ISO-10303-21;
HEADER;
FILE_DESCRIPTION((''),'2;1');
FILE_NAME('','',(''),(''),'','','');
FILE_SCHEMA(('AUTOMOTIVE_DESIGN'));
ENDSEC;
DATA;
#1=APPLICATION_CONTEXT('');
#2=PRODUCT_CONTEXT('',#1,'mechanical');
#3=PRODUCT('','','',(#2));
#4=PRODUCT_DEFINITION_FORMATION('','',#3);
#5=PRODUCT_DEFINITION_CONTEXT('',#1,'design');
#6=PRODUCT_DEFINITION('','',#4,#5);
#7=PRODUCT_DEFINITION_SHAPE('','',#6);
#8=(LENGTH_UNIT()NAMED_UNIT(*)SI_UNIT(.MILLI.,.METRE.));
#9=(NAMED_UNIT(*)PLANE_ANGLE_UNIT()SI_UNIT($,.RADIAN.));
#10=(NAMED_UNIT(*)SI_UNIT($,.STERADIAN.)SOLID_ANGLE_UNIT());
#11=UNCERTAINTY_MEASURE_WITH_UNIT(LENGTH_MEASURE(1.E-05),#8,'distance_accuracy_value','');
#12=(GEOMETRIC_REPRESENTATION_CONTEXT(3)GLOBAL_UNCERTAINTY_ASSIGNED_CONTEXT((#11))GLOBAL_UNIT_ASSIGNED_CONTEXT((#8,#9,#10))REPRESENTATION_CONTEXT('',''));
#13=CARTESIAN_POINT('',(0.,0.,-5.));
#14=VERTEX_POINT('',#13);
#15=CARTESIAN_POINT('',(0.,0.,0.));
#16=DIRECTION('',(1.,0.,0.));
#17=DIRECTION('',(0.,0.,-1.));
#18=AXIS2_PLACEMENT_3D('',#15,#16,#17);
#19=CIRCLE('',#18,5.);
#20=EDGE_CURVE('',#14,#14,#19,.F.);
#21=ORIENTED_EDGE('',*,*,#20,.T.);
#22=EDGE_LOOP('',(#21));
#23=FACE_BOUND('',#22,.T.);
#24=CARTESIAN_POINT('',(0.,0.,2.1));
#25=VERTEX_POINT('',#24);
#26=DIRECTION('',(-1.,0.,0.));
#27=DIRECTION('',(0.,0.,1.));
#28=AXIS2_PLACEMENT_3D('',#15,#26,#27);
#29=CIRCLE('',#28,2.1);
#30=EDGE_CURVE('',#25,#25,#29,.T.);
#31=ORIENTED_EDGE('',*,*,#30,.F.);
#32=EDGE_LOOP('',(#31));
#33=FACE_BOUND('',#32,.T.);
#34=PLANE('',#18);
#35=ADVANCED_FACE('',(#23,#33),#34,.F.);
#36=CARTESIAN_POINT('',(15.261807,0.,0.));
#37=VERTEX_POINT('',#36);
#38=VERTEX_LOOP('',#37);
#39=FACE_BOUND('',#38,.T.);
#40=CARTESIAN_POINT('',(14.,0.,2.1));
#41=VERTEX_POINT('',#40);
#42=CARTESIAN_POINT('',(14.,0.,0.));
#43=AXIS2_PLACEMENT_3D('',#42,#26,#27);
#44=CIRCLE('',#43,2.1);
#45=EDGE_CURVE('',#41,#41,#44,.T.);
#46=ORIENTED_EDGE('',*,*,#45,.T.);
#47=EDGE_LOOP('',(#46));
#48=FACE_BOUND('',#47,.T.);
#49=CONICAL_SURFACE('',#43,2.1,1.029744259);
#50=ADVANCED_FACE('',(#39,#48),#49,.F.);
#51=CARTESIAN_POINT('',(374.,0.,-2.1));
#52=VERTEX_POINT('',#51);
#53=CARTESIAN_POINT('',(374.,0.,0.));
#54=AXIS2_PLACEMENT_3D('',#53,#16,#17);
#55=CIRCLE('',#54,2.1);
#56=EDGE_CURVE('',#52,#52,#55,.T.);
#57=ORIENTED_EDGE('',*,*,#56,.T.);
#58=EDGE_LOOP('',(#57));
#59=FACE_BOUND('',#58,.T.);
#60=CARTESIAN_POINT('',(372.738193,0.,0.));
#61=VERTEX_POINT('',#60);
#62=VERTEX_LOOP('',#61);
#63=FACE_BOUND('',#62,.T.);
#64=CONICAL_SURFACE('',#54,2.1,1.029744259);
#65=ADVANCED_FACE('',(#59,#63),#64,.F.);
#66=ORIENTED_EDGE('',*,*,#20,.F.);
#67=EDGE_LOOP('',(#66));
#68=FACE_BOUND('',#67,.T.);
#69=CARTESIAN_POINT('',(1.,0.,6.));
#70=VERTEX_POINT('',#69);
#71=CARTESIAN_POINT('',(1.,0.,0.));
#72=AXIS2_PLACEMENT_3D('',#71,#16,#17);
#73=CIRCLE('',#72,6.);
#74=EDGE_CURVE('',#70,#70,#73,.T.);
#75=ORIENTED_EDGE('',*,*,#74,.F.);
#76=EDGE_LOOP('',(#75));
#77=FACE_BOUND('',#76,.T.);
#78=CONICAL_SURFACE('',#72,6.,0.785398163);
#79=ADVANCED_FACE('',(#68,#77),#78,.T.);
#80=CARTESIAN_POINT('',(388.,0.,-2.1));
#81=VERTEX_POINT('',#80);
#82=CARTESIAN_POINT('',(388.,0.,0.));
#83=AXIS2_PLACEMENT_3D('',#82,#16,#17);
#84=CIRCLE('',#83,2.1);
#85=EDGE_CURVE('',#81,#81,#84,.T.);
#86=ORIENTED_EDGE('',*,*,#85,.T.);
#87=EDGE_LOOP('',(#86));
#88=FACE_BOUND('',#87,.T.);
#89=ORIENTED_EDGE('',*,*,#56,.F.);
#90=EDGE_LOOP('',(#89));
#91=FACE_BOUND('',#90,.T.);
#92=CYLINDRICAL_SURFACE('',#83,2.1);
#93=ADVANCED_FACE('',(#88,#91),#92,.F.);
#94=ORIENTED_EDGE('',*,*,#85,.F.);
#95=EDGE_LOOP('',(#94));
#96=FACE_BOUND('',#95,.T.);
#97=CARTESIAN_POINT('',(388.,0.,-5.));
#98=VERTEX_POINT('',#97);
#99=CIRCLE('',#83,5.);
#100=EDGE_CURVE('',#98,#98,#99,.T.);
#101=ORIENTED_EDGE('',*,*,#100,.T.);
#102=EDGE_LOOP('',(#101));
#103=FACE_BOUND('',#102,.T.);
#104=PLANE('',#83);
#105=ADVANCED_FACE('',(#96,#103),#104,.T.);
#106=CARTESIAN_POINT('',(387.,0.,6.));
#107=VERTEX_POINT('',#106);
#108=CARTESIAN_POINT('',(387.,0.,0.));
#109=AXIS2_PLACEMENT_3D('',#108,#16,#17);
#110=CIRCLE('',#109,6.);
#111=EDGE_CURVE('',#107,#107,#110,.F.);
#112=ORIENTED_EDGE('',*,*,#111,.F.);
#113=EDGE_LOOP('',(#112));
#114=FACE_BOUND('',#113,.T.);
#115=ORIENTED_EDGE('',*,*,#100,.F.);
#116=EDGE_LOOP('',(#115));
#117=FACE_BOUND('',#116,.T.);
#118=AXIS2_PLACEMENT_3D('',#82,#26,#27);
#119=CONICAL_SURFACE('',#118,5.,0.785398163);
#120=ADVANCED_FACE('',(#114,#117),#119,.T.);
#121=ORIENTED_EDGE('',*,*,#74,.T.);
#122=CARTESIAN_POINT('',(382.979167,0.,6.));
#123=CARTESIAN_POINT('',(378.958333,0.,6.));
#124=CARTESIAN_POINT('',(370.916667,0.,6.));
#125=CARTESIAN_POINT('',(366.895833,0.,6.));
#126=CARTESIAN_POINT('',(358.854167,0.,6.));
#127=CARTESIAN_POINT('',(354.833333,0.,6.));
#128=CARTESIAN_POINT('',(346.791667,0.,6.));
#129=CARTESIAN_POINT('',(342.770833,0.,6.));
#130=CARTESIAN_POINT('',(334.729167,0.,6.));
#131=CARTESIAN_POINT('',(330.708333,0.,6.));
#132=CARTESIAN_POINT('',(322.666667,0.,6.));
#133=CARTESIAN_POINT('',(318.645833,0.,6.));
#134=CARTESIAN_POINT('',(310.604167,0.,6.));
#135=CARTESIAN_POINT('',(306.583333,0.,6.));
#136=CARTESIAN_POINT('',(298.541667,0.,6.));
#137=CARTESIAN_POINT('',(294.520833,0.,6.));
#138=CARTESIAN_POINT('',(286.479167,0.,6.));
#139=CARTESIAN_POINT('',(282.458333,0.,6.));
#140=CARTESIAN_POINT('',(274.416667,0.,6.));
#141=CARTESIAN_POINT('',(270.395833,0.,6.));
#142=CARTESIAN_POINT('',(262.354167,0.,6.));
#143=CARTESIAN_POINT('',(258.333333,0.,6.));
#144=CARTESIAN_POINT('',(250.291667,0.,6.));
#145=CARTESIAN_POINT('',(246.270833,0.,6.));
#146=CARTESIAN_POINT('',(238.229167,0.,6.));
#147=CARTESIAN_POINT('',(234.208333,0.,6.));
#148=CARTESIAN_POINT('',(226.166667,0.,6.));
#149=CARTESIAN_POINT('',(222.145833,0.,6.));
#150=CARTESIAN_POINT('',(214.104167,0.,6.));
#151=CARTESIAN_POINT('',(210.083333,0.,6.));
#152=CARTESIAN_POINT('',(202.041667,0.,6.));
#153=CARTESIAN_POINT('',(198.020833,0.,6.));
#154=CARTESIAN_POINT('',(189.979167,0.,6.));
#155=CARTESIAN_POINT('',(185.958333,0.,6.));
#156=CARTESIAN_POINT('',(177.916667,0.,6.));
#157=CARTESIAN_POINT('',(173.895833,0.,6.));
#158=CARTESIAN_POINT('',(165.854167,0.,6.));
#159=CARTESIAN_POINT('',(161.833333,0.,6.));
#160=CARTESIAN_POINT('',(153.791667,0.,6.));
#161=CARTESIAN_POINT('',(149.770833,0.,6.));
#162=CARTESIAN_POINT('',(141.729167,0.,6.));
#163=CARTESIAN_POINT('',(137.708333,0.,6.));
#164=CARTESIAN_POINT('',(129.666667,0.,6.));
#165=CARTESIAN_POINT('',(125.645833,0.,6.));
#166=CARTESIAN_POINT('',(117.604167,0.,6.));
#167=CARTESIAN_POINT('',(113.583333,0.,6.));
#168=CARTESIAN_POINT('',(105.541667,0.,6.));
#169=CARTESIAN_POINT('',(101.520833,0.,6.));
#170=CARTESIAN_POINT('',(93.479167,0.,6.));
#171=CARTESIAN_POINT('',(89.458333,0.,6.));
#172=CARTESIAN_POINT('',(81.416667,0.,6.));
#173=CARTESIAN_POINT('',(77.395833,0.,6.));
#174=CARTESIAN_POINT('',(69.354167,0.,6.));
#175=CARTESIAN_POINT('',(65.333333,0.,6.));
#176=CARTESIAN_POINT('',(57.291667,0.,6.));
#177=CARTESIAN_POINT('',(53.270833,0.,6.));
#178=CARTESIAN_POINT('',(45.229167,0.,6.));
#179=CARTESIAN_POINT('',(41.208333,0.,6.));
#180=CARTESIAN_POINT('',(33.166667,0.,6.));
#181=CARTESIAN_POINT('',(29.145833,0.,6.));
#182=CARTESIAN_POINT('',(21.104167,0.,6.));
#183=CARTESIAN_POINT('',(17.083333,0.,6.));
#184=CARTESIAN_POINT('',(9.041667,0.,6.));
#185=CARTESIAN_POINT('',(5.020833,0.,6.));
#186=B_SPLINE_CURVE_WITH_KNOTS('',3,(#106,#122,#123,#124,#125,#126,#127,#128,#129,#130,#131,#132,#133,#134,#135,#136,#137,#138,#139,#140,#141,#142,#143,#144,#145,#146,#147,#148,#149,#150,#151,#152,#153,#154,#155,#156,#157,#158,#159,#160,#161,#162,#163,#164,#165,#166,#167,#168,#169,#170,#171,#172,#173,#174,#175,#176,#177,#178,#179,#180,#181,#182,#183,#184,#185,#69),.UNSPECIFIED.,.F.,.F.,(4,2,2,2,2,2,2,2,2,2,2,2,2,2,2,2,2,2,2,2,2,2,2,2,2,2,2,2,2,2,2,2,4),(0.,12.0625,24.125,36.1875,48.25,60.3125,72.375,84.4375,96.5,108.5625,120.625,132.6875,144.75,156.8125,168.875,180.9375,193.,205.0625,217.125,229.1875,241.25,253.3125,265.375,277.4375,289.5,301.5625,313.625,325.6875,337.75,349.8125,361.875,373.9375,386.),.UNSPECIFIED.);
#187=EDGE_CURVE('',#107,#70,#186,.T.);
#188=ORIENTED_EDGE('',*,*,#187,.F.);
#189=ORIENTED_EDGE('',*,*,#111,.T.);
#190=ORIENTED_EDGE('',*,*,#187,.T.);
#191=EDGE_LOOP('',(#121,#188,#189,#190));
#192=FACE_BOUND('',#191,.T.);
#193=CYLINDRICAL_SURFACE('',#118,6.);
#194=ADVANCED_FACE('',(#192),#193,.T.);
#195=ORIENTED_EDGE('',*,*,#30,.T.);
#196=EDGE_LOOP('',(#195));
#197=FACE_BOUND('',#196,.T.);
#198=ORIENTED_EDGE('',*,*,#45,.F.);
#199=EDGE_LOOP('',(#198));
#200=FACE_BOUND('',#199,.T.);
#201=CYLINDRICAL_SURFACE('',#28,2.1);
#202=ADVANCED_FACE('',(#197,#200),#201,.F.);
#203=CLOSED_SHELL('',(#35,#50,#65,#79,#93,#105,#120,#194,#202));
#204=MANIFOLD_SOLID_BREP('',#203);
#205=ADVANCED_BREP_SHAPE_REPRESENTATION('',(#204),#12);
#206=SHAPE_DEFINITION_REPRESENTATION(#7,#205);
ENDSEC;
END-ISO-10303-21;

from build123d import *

# Parameters (mm, degrees)
SKETCH1_R             = 6
BOSS_EXTRUDE1_DEPTH   = 388
CHAMFER1_SIZE         = 1
M5_TAPPED_HOLE1_D     = 4.2
M5_TAPPED_HOLE1_DEPTH = 14
M5_TAPPED_HOLE1_TIP   = 1.2618073
M5_TAPPED_HOLE2_D     = 4.2
M5_TAPPED_HOLE2_DEPTH = 14
M5_TAPPED_HOLE2_TIP   = 1.2618073


with BuildPart() as part:
    # Sketch1 → Boss-Extrude1 (new body)
    with BuildSketch(Plane(origin=(0, 0, 0), x_dir=(0, 0, -1), z_dir=(1, 0, 0))):
        with Locations(Location((0, 0, 0), (0, 0, 180))):
            Circle(SKETCH1_R)
    extrude(amount=BOSS_EXTRUDE1_DEPTH)

    # Chamfer1
    chamfer1_edges = [part.edges().sort_by_distance(p)[0] for p in [
        (0, 0, -6),
        (388, 0, -6),
    ]]
    chamfer(chamfer1_edges, length=CHAMFER1_SIZE)

    # M5 Tapped Hole1
    with Locations(Plane(origin=(388, 0, 0), x_dir=(0, 0, -1), z_dir=(1, 0, 0))):
        with Locations((0, 0)):
            Hole(M5_TAPPED_HOLE1_D / 2, depth=M5_TAPPED_HOLE1_DEPTH)
            with Locations((0, 0, -(M5_TAPPED_HOLE1_DEPTH + M5_TAPPED_HOLE1_TIP / 2))):  # 118° drill point
                Cone(0, M5_TAPPED_HOLE1_D / 2, M5_TAPPED_HOLE1_TIP, mode=Mode.SUBTRACT)

    # M5 Tapped Hole2
    with Locations(Plane.ZY):
        with Locations((0, 0)):
            Hole(M5_TAPPED_HOLE2_D / 2, depth=M5_TAPPED_HOLE2_DEPTH)
            with Locations((0, 0, -(M5_TAPPED_HOLE2_DEPTH + M5_TAPPED_HOLE2_TIP / 2))):  # 118° drill point
                Cone(0, M5_TAPPED_HOLE2_D / 2, M5_TAPPED_HOLE2_TIP, mode=Mode.SUBTRACT)


solid = part.part
